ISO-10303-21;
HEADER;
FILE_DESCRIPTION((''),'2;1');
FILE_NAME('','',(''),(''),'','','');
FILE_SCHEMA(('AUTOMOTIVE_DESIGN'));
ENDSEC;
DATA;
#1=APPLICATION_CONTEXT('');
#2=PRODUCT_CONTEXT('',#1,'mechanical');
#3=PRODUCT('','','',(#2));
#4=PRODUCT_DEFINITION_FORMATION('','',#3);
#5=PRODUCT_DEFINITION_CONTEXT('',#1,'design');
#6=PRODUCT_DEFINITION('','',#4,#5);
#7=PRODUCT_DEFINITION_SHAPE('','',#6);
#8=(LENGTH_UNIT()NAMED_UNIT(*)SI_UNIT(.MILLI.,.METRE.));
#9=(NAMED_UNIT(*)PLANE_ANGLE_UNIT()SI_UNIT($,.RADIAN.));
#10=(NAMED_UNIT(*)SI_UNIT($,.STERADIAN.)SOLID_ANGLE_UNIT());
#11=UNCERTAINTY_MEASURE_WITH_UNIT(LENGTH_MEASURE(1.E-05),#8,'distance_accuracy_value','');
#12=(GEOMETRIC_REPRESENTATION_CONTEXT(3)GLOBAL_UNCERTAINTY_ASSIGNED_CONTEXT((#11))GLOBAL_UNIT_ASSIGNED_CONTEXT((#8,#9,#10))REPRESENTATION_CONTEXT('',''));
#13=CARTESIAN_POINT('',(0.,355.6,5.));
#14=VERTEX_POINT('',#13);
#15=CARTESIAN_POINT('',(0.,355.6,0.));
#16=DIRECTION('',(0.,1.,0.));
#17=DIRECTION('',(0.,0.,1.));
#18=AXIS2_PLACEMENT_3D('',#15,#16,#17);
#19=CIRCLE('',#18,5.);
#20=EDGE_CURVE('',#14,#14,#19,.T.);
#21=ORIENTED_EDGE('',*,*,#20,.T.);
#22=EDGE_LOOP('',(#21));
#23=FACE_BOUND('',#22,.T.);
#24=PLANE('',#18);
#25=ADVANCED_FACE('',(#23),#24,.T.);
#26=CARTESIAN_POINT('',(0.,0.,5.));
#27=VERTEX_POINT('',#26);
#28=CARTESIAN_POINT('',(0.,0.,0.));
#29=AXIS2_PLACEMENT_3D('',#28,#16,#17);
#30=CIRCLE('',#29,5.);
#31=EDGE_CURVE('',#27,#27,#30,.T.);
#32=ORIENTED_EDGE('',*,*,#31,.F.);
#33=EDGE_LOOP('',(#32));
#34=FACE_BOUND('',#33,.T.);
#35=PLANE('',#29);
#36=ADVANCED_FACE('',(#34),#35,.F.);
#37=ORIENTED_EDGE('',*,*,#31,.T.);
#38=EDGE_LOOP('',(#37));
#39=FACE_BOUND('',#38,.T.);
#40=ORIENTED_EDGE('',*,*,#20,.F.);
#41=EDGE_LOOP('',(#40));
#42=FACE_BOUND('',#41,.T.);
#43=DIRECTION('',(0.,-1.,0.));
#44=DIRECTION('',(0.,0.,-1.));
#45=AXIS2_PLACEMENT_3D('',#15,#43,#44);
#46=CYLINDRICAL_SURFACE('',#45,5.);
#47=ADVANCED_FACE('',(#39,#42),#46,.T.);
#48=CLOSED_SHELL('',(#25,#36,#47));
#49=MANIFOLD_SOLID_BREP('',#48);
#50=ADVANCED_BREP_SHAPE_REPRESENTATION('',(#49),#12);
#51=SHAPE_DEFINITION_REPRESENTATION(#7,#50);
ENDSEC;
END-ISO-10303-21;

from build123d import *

# Parameters (mm, degrees)
SKETCH1_R        = 5
EXTRUSION1_DEPTH = 355.6


with BuildPart() as part:
    # Sketch1 → Extrusion1 (new body)
    with BuildSketch(Plane(origin=(0, 0, 0), x_dir=(-1, 0, 0), z_dir=(0, 1, 0))):
        with Locations(Location((0, 0, 0), (0, 0, 90))):
            Circle(SKETCH1_R)
    extrude(amount=EXTRUSION1_DEPTH)


solid = part.part
